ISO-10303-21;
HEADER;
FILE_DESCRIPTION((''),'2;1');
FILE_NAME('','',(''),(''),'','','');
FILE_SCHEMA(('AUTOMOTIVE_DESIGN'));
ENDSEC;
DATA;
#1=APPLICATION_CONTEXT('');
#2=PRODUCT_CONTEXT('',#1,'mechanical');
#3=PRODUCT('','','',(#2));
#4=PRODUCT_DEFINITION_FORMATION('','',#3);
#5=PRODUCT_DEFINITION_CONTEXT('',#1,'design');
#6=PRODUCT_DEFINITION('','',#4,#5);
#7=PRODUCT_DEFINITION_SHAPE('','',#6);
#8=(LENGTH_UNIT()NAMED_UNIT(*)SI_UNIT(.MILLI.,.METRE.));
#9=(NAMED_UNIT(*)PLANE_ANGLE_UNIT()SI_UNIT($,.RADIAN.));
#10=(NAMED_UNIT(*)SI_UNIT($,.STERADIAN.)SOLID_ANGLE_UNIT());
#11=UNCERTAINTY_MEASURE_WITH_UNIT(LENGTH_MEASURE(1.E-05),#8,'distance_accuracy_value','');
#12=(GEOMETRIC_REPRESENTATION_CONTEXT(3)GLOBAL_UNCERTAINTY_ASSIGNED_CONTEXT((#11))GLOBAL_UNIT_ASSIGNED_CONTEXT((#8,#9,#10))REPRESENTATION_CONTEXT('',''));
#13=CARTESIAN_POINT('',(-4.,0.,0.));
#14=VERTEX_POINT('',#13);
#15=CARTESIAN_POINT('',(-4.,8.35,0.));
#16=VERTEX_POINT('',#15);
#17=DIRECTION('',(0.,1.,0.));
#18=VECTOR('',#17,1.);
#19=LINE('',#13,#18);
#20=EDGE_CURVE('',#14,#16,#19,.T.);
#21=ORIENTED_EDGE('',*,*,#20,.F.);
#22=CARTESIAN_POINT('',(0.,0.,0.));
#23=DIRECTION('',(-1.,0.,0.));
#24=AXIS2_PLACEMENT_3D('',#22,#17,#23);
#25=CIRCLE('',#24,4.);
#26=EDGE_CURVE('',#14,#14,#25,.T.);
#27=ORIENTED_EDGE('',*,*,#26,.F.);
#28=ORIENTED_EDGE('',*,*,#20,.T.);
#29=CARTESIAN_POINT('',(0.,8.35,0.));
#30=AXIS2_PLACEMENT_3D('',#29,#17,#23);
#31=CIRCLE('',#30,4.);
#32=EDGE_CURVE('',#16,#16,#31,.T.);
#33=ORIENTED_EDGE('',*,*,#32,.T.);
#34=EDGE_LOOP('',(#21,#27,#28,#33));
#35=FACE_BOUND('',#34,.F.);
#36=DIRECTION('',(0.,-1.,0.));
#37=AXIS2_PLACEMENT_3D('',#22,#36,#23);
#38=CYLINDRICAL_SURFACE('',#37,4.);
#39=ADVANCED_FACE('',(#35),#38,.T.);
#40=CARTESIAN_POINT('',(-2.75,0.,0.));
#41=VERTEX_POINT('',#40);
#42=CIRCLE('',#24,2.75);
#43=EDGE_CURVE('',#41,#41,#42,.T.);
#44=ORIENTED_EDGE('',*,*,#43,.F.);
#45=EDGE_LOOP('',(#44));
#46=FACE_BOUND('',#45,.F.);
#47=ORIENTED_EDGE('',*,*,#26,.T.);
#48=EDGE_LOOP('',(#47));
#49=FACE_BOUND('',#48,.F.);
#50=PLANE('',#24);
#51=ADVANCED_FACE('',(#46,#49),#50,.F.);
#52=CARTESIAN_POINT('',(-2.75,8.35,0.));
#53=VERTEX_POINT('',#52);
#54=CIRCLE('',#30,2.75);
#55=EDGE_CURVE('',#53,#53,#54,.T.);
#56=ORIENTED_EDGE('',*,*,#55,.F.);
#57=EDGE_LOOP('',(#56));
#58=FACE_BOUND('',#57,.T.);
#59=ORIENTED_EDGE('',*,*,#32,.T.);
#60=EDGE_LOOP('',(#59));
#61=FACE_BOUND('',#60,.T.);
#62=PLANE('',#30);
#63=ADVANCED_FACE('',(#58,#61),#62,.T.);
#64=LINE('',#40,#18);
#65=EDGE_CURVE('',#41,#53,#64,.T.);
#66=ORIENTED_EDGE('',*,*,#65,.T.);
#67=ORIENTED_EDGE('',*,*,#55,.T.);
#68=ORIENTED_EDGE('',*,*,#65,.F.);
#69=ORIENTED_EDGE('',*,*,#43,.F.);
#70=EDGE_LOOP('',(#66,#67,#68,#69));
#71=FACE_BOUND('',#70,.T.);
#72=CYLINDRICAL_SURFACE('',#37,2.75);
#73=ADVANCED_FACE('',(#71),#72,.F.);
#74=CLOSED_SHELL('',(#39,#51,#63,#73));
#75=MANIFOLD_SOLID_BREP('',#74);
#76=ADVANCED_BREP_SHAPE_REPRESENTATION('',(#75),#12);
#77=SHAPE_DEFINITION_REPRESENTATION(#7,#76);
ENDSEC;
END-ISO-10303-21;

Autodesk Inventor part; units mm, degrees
ref_plane "YZ Plane" through (0, 0, 0) normal (1, 0, 0) x (0, 1, 0)
ref_plane "XZ Plane" through (0, 0, 0) normal (0, 1, 0) x (-1, 0, 0)
ref_plane "XY Plane" through (0, 0, 0) normal (0, 0, 1) x (1, 0, 0)
sketch "Sketch1" plane through (0, 0, 0) normal (0, 1, 0) x (-1, 0, 0)
  circle A0 centre (0, 0) radius 4
  circle A1 centre (0, 0) radius 2.75
  dimension "d0" = 8
  dimension "d1" = 5.5
extrude "Extrusion1" add sketch "Sketch1" along normal blind 8.35
properties part number "Spacers for Rollers" material "Aluminum 6061"
